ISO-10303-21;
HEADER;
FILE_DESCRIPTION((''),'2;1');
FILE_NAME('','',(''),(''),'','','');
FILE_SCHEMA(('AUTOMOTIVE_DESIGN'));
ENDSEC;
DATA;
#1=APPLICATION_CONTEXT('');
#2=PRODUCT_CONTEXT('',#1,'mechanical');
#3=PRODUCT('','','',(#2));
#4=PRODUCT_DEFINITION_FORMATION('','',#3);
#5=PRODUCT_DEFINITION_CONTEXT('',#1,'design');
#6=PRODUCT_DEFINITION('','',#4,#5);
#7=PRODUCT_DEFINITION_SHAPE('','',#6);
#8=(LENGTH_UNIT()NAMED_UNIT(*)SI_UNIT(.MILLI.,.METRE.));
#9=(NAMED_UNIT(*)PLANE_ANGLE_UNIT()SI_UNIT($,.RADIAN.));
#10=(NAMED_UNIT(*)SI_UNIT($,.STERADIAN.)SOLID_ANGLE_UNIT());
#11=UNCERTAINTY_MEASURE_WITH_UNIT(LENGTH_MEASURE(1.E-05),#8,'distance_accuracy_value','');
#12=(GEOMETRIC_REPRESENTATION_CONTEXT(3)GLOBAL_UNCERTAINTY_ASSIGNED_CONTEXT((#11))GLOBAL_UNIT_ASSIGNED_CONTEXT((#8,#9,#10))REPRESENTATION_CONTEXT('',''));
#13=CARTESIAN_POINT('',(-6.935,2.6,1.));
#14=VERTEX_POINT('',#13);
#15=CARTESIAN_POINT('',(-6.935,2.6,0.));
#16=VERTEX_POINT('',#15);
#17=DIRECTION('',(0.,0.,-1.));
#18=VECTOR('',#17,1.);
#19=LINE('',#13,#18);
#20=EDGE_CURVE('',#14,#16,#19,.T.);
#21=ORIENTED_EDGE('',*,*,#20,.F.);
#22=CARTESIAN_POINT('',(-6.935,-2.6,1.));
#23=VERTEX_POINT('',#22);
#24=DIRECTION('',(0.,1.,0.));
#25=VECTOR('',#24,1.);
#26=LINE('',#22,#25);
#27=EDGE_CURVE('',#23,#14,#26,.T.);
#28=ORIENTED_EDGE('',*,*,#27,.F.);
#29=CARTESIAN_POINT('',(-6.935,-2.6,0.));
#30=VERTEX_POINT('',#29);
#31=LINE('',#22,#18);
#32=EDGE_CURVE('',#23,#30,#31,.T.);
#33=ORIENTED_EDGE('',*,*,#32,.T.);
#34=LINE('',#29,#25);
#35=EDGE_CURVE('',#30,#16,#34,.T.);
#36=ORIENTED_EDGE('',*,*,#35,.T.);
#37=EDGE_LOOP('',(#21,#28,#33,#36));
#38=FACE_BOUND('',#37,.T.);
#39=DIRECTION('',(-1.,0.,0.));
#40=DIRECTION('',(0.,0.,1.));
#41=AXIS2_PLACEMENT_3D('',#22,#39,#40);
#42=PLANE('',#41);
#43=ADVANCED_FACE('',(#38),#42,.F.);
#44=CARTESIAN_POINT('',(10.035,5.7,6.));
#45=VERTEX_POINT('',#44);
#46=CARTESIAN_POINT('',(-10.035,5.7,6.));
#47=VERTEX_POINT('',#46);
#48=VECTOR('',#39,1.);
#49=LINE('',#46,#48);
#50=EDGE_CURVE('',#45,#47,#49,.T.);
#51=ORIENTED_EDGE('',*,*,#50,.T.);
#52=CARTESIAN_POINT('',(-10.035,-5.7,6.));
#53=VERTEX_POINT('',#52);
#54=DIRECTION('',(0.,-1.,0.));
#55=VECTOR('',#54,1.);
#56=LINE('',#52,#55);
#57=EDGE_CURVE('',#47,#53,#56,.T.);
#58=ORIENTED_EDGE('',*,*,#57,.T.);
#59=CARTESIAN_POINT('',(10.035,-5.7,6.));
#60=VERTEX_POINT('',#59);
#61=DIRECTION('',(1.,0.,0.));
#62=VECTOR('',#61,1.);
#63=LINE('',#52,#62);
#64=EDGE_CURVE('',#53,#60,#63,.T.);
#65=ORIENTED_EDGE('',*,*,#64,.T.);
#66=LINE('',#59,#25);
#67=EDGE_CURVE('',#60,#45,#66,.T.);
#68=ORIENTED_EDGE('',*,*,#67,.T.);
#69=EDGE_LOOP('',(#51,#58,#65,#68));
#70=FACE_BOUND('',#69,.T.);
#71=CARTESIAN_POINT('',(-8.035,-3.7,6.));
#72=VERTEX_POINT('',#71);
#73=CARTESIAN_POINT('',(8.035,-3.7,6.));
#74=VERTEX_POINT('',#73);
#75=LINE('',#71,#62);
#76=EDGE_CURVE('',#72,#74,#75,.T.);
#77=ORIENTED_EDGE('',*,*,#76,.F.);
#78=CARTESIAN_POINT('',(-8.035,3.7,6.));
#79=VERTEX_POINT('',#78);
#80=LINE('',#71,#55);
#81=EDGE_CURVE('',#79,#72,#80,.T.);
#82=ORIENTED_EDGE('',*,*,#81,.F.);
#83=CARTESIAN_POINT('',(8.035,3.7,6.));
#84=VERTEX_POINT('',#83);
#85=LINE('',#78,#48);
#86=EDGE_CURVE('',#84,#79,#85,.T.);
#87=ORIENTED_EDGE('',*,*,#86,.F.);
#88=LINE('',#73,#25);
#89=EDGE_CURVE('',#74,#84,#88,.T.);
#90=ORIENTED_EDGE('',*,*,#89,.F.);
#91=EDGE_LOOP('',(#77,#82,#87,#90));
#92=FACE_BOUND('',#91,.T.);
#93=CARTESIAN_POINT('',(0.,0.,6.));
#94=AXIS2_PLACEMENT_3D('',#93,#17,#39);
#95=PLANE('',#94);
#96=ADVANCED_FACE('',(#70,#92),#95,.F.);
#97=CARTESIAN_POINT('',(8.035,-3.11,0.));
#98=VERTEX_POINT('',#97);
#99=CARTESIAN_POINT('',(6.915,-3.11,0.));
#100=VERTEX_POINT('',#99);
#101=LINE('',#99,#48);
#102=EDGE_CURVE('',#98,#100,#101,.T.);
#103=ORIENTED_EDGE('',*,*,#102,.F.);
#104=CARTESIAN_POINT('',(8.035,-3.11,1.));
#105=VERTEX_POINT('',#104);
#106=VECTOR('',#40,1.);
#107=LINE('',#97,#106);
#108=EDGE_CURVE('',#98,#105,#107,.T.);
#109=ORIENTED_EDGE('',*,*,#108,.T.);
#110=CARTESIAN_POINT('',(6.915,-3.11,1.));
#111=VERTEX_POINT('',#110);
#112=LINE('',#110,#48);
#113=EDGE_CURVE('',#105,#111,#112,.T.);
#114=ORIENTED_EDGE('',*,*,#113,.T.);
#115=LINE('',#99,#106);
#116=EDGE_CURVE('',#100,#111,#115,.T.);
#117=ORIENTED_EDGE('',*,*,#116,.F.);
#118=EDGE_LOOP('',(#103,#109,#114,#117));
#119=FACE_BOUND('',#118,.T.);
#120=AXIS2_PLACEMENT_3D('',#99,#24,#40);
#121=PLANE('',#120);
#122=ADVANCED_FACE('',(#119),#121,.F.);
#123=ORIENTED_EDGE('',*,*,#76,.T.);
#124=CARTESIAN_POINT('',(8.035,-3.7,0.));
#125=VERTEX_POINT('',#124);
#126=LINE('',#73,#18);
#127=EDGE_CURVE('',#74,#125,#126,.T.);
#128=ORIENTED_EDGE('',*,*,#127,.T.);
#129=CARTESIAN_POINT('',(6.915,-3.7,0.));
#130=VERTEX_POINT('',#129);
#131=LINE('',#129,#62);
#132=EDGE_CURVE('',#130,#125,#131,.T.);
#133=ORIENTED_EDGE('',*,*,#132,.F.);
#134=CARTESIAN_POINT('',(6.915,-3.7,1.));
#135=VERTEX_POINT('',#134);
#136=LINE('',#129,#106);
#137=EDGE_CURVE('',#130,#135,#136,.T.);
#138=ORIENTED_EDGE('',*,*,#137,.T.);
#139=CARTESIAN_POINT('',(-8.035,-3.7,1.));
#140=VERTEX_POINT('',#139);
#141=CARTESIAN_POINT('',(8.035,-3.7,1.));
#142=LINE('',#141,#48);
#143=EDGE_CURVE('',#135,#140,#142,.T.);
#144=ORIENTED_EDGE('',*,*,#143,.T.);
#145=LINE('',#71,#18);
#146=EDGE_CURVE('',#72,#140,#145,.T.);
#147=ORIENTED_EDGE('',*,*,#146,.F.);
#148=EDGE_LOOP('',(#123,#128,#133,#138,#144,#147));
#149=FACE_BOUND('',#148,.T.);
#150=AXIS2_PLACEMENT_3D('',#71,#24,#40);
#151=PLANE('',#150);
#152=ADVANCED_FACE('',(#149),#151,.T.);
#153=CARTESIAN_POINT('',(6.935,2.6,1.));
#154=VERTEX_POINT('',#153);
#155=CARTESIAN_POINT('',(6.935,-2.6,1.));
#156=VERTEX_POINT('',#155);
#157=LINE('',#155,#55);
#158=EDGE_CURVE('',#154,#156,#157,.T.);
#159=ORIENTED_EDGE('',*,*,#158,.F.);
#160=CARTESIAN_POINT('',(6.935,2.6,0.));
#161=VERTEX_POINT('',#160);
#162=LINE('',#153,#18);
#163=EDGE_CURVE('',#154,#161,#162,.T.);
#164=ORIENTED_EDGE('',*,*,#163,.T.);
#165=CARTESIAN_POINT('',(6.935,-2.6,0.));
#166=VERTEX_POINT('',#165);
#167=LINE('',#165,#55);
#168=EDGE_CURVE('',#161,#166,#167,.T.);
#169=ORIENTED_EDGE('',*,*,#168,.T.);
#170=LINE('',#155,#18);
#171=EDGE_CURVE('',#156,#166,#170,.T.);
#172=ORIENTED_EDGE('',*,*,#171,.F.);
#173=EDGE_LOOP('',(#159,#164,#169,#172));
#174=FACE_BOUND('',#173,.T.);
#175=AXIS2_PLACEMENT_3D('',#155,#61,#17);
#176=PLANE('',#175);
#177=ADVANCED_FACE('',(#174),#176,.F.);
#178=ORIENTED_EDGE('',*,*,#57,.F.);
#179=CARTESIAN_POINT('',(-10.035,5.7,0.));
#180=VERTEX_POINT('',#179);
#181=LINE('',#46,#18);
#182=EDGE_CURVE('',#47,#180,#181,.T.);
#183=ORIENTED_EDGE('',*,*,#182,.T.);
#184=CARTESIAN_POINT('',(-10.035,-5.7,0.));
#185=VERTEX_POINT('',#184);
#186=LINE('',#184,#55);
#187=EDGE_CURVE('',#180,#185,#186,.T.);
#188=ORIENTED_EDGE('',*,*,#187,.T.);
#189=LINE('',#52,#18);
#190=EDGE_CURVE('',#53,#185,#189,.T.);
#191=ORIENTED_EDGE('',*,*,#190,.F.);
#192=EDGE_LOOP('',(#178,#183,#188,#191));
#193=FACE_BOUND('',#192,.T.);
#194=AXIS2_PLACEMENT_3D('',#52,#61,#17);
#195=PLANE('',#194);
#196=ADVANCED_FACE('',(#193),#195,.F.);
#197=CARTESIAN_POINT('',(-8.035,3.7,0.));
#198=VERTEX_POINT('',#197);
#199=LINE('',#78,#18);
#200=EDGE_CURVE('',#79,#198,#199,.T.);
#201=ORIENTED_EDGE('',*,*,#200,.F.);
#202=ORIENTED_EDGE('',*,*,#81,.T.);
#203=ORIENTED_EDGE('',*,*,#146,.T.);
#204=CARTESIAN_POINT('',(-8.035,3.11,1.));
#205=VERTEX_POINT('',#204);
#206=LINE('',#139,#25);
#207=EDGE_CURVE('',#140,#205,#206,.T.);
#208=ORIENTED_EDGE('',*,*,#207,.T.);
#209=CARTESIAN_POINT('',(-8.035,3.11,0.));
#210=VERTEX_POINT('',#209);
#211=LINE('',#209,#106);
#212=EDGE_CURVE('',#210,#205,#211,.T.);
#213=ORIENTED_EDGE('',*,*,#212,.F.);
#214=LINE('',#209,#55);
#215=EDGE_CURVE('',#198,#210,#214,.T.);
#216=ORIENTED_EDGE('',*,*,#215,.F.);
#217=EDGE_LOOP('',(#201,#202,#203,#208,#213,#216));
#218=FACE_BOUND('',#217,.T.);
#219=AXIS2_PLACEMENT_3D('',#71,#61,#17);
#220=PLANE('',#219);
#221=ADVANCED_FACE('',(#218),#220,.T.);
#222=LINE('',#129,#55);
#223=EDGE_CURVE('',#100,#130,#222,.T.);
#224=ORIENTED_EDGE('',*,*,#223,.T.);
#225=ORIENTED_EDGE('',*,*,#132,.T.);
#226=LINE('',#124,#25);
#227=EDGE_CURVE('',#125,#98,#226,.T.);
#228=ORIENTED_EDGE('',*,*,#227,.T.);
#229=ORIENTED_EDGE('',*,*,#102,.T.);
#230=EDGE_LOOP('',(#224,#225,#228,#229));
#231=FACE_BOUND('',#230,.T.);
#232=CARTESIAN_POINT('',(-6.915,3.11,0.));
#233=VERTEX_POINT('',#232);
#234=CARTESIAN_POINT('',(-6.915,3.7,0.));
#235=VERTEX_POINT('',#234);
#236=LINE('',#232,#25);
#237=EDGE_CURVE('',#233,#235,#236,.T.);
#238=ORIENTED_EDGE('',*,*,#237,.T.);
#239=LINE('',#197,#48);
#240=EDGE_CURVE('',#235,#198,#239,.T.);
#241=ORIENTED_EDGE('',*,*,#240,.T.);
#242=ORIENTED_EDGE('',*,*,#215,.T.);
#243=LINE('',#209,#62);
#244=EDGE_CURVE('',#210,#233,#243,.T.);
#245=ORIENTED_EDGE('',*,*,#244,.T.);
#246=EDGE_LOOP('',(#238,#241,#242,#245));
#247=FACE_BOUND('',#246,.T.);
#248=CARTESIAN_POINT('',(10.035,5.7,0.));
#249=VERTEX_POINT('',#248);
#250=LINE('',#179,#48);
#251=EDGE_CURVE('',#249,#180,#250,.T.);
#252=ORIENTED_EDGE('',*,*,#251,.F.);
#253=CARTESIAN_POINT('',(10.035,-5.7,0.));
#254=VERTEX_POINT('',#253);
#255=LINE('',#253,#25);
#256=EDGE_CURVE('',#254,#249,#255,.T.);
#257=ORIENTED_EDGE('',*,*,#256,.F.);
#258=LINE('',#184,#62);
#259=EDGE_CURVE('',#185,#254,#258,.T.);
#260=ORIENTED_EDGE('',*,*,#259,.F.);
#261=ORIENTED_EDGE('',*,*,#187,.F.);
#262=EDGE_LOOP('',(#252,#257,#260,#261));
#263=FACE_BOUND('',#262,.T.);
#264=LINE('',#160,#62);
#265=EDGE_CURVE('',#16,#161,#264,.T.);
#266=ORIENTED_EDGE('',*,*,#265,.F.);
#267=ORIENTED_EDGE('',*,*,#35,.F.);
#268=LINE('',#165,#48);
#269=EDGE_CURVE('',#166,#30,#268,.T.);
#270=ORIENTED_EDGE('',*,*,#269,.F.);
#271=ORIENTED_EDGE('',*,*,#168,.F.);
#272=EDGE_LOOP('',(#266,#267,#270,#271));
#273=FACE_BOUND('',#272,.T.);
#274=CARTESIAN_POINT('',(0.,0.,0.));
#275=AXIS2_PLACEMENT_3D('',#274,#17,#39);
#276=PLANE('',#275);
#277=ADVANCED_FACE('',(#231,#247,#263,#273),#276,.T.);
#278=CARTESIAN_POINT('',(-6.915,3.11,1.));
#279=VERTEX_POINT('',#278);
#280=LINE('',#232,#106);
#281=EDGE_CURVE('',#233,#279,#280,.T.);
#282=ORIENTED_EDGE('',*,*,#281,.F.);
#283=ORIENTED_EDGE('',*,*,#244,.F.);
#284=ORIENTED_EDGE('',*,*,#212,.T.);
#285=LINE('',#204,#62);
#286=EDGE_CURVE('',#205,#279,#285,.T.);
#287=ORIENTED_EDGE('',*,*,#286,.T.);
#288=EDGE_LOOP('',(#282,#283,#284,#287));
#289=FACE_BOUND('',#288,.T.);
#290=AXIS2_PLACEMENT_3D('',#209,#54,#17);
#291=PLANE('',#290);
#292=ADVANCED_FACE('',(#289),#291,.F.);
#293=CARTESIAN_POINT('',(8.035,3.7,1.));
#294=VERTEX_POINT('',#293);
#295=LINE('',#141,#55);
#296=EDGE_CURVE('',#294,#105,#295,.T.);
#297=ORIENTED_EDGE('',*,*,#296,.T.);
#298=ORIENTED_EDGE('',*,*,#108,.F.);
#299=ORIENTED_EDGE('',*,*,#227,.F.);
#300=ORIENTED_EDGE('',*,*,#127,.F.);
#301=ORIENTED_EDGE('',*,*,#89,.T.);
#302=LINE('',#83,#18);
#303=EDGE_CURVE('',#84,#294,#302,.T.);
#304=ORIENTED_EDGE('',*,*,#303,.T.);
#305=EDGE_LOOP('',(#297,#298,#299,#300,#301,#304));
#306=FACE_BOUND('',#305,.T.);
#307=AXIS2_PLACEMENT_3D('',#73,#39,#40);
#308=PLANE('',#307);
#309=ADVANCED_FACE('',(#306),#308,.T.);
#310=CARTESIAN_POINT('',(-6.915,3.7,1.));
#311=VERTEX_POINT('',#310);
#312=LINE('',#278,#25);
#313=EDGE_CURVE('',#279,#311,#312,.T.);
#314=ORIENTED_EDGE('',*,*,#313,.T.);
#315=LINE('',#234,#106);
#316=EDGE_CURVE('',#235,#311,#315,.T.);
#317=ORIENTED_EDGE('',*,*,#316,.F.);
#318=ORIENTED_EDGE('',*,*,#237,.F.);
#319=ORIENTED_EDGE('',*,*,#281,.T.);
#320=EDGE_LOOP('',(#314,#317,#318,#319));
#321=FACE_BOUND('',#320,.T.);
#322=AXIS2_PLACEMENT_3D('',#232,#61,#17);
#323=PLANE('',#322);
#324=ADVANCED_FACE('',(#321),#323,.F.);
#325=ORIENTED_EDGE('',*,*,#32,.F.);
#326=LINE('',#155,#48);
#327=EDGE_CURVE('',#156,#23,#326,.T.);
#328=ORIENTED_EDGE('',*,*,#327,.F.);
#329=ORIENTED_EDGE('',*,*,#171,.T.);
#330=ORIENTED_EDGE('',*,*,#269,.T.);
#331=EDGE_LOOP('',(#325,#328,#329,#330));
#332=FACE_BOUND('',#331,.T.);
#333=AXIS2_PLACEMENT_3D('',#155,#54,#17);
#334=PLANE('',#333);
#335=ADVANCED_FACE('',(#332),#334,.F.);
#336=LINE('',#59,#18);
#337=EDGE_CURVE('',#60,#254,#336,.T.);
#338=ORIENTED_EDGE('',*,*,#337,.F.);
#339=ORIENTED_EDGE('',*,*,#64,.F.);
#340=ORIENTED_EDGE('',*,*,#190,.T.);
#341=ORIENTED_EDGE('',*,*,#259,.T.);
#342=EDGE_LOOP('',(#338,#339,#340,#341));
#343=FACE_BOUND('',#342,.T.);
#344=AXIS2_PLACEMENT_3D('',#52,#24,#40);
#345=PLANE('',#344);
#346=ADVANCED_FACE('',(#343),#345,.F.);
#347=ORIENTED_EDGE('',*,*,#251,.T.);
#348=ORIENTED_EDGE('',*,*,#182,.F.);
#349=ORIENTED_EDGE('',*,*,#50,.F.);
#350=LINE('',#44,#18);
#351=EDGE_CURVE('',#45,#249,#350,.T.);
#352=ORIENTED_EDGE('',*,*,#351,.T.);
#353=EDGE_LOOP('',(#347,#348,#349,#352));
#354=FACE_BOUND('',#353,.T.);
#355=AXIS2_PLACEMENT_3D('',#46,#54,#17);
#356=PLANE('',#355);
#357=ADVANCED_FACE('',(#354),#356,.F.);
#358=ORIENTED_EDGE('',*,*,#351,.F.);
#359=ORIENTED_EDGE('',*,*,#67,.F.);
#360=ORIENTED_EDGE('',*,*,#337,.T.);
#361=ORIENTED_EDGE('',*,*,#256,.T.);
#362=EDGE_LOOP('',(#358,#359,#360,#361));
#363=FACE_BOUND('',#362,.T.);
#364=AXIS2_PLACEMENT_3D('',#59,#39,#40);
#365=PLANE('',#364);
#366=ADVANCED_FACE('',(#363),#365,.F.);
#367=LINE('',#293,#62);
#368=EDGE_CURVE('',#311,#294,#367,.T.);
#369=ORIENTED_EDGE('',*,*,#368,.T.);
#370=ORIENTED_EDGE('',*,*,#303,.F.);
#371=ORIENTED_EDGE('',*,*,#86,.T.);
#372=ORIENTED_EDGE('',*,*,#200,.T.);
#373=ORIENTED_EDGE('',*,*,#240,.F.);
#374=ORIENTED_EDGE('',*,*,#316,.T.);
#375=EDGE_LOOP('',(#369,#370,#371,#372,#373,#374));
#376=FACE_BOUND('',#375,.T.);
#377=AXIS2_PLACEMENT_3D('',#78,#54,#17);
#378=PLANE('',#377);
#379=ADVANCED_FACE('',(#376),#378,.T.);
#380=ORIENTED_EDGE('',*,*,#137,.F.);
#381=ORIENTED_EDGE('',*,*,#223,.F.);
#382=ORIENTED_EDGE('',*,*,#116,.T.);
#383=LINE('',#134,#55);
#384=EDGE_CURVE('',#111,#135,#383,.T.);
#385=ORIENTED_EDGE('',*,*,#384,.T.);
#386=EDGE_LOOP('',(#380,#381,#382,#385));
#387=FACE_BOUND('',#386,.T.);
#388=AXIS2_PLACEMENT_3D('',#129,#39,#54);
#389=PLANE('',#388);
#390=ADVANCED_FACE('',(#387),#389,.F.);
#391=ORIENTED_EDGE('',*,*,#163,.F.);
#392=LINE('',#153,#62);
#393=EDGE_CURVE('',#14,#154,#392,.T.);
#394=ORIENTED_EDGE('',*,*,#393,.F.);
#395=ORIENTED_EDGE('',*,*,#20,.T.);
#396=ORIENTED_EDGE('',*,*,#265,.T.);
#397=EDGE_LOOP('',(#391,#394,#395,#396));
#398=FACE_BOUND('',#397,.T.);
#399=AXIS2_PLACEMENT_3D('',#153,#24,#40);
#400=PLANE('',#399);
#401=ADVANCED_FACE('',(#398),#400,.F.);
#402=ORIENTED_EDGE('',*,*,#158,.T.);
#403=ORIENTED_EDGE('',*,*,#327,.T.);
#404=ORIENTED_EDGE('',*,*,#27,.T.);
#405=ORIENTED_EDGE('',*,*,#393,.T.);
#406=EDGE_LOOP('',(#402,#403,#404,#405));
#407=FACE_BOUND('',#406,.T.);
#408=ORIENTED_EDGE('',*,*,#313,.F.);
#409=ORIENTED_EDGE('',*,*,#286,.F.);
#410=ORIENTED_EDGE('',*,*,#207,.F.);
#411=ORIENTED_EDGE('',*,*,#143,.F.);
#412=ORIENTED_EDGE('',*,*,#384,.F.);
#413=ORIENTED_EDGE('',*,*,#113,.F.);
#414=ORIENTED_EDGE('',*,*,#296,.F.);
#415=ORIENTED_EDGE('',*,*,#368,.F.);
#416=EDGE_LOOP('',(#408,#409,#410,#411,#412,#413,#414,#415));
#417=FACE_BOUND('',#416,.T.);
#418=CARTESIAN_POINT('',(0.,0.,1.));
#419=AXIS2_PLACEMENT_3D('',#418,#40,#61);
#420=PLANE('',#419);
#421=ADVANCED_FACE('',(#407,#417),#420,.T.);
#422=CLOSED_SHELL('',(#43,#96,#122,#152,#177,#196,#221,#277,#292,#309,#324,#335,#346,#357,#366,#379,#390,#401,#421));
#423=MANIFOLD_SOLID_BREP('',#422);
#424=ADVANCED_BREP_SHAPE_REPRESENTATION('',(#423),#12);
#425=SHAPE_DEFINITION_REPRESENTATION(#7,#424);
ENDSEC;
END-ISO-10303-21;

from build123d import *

# Parameters (mm, degrees)
SKETCH1_W           = 20.07
SKETCH1_H           = 11.4
SKETCH1_W_2         = 16.07
SKETCH1_H_2         = 7.4
BOSS_EXTRUDE1_DEPTH = 6
SKETCH2_W           = 16.07
SKETCH2_H           = 7.4
SKETCH2_W_2         = 13.87
SKETCH2_H_2         = 5.2
BOSS_EXTRUDE2_DEPTH = 1
SKETCH3_W           = 1.12
SKETCH3_H           = 0.59
CUT_EXTRUDE1_DEPTH  = 1


with BuildPart() as part:
    # Sketch1 → Boss-Extrude1 (new body)
    with BuildSketch(Plane.XY):
        Rectangle(SKETCH1_W, SKETCH1_H)
        Rectangle(SKETCH1_W_2, SKETCH1_H_2, mode=Mode.SUBTRACT)
    extrude(amount=BOSS_EXTRUDE1_DEPTH)

    # Sketch2 → Boss-Extrude2 (add)
    with BuildSketch(Plane(origin=(0, 0, 0), x_dir=(-1, 0, 0), z_dir=(0, 0, -1))):
        Rectangle(SKETCH2_W, SKETCH2_H)
        Rectangle(SKETCH2_W_2, SKETCH2_H_2, mode=Mode.SUBTRACT)
    extrude(amount=-BOSS_EXTRUDE2_DEPTH)

    # Sketch3 → Cut-Extrude1 (cut)
    with BuildSketch(Plane.XY.offset(1)):
        with Locations((-7.475, 3.405)):
            Rectangle(SKETCH3_W, SKETCH3_H)
        with Locations((7.475, -3.405)):
            Rectangle(SKETCH3_W, SKETCH3_H)
    extrude(amount=-CUT_EXTRUDE1_DEPTH, mode=Mode.SUBTRACT)


solid = part.part
